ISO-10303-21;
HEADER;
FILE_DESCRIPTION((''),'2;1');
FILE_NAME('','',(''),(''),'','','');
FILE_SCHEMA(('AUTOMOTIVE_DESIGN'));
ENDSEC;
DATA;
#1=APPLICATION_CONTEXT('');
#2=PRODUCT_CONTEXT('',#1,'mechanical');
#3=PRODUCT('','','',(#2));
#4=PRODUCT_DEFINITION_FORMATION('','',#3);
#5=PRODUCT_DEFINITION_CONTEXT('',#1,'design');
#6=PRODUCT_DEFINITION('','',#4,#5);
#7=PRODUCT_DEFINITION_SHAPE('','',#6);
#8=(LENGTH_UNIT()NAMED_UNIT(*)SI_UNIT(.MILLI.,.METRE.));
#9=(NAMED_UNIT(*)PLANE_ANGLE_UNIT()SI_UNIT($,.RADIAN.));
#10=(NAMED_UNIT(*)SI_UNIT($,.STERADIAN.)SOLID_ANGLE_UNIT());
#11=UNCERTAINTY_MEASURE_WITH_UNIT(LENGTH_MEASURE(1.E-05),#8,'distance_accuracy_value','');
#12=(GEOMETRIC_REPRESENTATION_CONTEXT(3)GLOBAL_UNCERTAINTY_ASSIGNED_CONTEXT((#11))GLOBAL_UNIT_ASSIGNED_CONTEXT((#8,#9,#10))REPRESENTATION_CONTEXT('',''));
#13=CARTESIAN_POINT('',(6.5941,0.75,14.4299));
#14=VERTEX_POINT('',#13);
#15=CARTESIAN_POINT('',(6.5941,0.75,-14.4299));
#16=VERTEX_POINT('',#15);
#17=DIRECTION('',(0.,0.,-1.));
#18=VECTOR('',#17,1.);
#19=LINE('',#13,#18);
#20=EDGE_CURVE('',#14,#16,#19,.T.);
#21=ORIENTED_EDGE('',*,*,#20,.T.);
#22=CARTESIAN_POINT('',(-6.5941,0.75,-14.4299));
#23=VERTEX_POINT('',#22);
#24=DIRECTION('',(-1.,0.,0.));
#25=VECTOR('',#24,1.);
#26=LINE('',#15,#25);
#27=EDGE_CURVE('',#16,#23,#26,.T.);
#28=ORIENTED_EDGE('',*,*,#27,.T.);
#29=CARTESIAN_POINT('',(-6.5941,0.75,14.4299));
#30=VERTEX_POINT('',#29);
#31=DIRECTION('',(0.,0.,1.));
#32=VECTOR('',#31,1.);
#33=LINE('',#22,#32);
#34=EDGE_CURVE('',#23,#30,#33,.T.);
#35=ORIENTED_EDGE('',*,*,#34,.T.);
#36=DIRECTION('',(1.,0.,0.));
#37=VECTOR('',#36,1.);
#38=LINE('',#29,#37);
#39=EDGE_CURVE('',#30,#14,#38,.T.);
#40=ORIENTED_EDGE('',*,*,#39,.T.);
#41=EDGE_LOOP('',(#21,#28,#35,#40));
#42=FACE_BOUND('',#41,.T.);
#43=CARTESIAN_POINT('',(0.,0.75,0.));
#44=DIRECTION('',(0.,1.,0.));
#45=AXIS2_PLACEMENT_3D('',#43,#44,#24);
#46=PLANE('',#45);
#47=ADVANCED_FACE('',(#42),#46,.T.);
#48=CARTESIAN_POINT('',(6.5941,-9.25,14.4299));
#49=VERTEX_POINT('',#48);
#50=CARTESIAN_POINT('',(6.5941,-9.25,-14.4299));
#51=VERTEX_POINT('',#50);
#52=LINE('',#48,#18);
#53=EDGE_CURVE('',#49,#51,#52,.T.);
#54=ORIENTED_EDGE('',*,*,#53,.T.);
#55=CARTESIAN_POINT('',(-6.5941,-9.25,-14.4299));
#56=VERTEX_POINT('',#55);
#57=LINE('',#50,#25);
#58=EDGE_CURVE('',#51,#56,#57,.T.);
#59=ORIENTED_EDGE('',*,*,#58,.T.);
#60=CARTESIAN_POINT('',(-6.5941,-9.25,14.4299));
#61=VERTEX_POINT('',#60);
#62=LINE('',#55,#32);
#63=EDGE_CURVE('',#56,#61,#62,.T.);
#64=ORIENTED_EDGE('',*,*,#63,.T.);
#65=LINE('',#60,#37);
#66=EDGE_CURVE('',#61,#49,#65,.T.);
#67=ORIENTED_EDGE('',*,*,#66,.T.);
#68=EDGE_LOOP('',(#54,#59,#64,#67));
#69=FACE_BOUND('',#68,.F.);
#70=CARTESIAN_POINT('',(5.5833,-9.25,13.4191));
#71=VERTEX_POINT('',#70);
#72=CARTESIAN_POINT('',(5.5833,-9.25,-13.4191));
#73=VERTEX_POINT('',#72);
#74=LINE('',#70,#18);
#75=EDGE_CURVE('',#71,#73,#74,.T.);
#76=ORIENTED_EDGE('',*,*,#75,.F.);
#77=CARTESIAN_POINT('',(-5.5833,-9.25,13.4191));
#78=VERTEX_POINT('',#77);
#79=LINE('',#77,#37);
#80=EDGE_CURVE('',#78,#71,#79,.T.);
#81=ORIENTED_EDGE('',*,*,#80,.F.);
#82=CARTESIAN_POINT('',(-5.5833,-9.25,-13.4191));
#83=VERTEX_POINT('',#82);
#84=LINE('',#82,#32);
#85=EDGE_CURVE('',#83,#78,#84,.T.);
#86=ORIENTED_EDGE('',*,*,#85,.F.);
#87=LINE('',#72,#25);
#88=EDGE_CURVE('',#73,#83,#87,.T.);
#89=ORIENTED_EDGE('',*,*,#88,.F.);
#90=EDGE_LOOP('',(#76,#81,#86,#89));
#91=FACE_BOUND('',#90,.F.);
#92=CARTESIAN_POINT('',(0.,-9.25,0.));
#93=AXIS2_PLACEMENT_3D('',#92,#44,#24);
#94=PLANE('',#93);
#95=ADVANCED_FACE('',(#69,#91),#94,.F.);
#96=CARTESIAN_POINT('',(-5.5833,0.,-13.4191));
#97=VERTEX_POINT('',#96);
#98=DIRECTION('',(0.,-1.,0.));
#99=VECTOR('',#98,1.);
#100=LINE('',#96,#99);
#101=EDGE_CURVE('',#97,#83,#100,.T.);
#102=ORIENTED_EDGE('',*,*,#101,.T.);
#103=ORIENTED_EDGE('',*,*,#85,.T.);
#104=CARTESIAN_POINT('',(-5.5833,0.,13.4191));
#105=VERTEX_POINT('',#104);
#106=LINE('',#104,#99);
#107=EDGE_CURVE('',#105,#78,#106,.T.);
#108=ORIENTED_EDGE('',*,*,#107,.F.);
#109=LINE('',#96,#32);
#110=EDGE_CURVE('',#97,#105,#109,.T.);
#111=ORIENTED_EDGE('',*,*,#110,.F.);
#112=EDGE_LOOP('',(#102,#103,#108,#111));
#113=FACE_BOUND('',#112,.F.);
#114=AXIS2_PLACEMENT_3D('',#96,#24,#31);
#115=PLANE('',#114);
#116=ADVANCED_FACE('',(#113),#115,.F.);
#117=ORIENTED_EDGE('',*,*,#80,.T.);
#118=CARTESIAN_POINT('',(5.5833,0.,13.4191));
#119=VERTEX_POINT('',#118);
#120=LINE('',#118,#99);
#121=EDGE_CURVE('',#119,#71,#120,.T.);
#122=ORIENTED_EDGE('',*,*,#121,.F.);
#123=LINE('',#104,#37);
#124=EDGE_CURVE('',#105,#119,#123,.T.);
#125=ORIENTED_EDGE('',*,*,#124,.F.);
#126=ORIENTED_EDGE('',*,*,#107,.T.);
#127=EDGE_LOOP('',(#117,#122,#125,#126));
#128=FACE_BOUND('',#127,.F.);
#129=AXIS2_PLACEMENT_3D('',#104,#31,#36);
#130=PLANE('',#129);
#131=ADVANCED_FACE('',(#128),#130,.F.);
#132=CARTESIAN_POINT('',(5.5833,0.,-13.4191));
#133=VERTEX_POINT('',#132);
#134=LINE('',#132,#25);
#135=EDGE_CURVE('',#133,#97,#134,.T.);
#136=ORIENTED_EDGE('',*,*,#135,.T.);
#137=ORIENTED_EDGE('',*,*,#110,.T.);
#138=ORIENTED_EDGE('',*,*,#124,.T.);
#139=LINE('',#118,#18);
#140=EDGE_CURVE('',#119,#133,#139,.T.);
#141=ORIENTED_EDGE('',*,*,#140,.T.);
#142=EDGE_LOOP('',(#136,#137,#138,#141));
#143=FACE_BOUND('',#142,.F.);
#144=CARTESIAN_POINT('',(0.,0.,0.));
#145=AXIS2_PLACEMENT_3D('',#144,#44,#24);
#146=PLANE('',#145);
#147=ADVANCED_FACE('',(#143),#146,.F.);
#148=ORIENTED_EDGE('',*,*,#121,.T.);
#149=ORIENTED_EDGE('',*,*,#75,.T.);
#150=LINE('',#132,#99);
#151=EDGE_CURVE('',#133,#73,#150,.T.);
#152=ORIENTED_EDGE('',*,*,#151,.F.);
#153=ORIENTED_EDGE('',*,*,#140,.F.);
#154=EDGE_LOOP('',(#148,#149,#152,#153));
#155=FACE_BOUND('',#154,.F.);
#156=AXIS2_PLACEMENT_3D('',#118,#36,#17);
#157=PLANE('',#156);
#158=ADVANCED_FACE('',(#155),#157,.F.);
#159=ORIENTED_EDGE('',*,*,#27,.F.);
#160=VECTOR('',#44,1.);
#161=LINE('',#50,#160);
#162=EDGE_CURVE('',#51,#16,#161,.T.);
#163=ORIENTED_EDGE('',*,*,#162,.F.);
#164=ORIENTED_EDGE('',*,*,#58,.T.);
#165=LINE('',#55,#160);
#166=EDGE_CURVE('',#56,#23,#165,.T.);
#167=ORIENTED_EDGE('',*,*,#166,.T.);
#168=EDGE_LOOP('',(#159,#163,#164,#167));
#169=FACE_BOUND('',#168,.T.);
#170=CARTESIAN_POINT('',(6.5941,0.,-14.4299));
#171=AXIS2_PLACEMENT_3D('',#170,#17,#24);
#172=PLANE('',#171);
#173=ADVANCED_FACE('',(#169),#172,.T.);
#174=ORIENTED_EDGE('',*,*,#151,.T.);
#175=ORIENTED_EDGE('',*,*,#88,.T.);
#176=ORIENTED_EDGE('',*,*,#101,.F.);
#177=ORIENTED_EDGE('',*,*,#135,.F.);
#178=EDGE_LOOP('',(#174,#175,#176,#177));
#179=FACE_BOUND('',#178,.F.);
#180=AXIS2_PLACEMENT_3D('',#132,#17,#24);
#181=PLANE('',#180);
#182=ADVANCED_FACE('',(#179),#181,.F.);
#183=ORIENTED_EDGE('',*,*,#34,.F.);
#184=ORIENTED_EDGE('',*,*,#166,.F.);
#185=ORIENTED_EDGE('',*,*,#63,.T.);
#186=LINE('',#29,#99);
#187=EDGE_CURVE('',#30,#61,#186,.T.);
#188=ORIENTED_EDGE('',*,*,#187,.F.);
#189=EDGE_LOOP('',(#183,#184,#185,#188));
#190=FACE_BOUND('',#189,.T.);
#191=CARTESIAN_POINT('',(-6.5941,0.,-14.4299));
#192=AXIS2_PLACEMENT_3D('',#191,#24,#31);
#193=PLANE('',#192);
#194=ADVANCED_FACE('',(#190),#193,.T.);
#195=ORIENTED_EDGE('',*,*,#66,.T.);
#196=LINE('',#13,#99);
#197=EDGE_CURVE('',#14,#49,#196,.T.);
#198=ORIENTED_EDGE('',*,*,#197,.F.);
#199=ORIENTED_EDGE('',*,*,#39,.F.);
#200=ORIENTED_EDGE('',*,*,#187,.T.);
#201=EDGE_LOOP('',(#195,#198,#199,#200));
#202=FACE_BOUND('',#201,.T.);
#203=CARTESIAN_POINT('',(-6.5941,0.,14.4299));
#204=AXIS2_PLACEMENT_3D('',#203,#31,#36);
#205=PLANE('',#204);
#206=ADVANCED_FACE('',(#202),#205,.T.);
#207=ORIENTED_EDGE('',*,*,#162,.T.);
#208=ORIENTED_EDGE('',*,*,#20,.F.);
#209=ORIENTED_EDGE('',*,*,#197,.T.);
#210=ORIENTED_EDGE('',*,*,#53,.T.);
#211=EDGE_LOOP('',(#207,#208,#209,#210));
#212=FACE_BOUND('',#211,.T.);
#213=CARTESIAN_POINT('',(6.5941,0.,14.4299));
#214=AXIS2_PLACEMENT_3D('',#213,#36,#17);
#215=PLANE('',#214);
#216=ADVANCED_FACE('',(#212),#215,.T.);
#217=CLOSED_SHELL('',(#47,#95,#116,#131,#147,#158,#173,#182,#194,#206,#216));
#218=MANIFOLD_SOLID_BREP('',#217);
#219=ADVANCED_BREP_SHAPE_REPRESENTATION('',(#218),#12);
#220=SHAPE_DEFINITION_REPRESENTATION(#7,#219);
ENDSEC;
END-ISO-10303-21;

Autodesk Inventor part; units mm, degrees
ref_plane "YZ Plane" through (0, 0, 0) normal (1, 0, 0) x (0, 1, 0)
ref_plane "XZ Plane" through (0, 0, 0) normal (0, 1, 0) x (-1, 0, 0)
ref_plane "XY Plane" through (0, 0, 0) normal (0, 0, 1) x (1, 0, 0)
sketch "Sketch1" plane through (0, 0, 0) normal (0, 1, 0) x (-1, 0, 0)
  line L0 (-6.5941, -14.4299) -> (6.5941, -14.4299)
  line L1 (6.5941, -14.4299) -> (6.5941, 14.4299)
  line L2 (6.5941, 14.4299) -> (-6.5941, 14.4299)
  line L3 (-6.5941, 14.4299) -> (-6.5941, -14.4299)
  line L4 (-6.5941, -14.4299) -> (6.5941, 14.4299) construction
  line L5 (6.5941, -14.4299) -> (-6.5941, 14.4299) construction
  line L6 (-5.5833, -13.4191) -> (5.5833, -13.4191)
  line L7 (5.5833, -13.4191) -> (5.5833, 13.4191)
  line L8 (5.5833, 13.4191) -> (-5.5833, 13.4191)
  line L9 (-5.5833, 13.4191) -> (-5.5833, -13.4191)
  point P0 (0, 0)
extrude "Extrusion1" add sketch "Sketch1" along normal blind 0.75 contours L3 L2 L1 L0 | L9 L8 L7 L6
extrude "Extrusion2" add sketch "Sketch1" against normal blind 9.25
